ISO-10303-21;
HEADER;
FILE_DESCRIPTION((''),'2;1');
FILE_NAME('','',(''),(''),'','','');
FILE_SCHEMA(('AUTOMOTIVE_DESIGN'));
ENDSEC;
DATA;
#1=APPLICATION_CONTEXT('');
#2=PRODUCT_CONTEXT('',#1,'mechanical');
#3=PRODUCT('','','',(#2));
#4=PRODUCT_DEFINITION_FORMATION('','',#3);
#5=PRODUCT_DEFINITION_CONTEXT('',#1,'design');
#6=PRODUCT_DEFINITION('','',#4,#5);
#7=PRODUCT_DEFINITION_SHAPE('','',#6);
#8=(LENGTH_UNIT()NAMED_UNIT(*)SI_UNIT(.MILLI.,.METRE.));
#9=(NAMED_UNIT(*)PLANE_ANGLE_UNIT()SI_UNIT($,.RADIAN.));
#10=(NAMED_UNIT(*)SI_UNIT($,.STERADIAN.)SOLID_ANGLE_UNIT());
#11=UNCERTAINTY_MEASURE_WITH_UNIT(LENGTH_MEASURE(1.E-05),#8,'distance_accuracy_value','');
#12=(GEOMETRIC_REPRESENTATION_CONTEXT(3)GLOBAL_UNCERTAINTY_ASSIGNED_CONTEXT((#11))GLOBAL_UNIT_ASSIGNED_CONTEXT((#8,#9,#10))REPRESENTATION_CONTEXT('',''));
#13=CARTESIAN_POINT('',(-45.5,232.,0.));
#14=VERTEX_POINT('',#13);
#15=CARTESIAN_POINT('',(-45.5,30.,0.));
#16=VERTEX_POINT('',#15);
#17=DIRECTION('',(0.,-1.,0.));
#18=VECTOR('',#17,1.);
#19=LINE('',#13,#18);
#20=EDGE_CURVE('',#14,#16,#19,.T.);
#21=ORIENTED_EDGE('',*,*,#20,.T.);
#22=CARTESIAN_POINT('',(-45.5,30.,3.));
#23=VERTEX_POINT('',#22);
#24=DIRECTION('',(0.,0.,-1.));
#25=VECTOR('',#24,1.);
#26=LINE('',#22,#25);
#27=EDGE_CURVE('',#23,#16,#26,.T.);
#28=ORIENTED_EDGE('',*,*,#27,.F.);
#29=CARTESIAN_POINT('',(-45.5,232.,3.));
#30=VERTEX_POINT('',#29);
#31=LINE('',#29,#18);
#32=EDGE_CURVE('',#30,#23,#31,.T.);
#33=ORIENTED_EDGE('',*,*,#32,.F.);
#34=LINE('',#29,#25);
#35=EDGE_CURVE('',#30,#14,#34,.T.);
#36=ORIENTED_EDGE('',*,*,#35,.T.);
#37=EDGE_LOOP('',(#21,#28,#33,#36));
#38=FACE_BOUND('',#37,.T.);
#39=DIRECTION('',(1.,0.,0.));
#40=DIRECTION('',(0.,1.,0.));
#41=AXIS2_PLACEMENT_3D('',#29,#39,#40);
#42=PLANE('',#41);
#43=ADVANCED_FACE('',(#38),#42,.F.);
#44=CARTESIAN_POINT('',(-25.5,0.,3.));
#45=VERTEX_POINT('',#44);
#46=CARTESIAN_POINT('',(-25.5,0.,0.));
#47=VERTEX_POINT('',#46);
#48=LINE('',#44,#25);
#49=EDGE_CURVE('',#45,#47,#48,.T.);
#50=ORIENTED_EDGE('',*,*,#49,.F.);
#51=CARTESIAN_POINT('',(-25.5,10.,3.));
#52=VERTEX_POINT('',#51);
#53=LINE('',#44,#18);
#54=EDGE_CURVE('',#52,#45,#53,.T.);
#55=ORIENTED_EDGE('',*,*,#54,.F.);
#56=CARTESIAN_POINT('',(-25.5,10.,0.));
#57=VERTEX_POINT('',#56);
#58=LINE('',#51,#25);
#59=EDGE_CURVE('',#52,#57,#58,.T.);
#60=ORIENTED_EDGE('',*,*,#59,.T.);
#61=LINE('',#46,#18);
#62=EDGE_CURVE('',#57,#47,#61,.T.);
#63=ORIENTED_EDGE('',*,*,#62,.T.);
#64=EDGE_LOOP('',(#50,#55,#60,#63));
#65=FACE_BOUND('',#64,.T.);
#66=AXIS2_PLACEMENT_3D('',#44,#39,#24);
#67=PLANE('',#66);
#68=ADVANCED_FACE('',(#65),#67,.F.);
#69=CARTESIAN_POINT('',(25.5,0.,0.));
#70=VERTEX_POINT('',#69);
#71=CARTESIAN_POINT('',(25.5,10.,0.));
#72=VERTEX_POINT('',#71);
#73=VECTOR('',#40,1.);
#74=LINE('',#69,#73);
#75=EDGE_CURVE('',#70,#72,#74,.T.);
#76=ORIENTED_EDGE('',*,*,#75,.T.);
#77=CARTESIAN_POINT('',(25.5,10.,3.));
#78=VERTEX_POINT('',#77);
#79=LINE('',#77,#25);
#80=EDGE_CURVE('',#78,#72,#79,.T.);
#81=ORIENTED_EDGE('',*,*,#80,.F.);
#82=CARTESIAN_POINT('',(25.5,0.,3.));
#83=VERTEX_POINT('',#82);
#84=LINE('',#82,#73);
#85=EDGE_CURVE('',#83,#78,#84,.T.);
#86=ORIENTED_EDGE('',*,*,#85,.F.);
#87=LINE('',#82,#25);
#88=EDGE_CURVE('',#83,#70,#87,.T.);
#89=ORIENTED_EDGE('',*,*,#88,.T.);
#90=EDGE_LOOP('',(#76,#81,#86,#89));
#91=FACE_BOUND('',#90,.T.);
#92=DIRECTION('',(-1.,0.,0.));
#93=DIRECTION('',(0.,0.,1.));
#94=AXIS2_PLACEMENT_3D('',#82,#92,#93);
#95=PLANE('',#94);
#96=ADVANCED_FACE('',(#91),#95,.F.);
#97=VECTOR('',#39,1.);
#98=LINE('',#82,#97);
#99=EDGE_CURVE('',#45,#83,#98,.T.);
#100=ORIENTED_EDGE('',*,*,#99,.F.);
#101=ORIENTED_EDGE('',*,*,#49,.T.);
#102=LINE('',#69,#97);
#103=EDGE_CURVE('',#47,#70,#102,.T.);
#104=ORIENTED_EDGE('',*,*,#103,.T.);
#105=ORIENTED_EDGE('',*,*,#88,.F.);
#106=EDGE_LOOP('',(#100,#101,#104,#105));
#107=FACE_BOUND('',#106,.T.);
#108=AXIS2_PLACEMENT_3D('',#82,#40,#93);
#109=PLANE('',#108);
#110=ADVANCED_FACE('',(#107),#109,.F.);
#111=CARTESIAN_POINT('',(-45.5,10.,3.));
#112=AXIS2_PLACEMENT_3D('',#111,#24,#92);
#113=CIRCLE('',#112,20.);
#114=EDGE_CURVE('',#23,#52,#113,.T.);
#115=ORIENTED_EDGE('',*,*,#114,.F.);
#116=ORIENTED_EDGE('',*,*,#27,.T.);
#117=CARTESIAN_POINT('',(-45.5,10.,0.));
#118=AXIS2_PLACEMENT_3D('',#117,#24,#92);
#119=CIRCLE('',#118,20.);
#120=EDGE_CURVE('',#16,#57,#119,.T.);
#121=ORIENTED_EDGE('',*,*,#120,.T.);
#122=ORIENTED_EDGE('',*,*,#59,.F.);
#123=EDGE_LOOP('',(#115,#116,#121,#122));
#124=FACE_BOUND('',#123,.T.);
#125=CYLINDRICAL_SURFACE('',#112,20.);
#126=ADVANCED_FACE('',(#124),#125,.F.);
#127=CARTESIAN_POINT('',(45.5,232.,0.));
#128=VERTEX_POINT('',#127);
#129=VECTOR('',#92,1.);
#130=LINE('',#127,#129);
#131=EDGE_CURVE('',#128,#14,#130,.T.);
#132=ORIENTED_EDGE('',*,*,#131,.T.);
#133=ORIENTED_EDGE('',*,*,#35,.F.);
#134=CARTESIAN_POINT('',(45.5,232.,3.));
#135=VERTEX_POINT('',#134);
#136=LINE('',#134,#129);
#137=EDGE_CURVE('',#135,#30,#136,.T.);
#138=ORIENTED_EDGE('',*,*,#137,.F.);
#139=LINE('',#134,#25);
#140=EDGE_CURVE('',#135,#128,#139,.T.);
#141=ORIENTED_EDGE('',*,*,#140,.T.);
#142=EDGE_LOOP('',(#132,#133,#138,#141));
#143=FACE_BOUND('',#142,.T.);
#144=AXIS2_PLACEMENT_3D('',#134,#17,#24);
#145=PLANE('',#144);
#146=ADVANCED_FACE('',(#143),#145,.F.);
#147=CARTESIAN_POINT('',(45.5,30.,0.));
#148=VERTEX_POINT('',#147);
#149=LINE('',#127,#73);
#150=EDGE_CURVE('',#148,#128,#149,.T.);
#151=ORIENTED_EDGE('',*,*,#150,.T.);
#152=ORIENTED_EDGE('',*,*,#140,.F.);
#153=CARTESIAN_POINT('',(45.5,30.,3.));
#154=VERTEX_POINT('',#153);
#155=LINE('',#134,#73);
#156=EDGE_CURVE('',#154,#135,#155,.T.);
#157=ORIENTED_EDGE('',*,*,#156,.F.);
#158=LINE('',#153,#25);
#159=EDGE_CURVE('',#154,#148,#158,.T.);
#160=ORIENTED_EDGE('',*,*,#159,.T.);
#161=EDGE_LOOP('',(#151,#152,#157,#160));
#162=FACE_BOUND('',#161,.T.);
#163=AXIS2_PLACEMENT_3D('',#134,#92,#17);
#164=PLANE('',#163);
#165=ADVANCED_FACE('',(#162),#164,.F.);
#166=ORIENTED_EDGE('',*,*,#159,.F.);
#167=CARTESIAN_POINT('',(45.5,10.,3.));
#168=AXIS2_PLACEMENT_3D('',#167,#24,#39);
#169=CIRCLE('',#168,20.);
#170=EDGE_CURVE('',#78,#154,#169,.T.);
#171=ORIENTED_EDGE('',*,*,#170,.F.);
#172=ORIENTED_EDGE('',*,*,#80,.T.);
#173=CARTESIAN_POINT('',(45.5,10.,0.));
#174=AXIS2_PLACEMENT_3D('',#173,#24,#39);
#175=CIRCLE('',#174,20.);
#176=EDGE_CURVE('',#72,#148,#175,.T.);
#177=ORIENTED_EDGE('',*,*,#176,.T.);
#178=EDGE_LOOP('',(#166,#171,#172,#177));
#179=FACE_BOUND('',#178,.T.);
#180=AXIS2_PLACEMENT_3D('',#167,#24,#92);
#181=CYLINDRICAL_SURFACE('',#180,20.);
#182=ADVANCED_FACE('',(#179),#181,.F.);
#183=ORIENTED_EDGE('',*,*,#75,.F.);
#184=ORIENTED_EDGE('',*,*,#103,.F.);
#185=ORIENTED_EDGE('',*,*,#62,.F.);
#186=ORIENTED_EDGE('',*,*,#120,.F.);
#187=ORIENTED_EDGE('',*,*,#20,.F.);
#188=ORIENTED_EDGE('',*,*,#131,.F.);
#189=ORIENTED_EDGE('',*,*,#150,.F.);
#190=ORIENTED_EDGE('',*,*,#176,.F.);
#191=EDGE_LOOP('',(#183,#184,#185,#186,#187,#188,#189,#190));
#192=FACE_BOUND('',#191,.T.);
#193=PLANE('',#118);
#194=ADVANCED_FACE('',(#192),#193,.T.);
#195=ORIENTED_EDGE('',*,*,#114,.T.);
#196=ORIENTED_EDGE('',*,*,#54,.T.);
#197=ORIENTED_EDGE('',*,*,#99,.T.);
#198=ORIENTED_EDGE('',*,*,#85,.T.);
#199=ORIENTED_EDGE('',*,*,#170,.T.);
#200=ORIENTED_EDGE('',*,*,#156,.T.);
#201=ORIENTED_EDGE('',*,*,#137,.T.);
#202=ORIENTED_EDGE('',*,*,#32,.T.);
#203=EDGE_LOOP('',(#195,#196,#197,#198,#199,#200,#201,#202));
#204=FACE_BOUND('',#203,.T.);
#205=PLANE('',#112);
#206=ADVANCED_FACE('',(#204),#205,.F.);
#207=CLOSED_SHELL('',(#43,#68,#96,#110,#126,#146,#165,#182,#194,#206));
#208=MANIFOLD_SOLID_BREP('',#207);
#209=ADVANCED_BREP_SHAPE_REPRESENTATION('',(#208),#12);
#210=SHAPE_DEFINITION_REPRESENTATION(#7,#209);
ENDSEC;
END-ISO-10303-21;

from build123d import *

# Parameters (mm, degrees)
EXTRUSION1_DEPTH = 3


with BuildPart() as part:
    # Esquisse1 → Extrusion1 (new body)
    with BuildSketch(Plane.XY):
        with BuildLine():
            Line((45.5, 232), (-45.5, 232))
            Line((-45.5, 232), (-45.5, 30))
            ThreePointArc((-45.5, 30), (-31.357864376, 24.142135624), (-25.5, 10))
            Line((-25.5, 10), (-25.5, 0))
            Line((-25.5, 0), (25.5, 0))
            Line((25.5, 0), (25.5, 10))
            ThreePointArc((25.5, 10), (31.357864376, 24.142135624), (45.5, 30))
            Line((45.5, 30), (45.5, 232))
        make_face()
    extrude(amount=EXTRUSION1_DEPTH)


solid = part.part
